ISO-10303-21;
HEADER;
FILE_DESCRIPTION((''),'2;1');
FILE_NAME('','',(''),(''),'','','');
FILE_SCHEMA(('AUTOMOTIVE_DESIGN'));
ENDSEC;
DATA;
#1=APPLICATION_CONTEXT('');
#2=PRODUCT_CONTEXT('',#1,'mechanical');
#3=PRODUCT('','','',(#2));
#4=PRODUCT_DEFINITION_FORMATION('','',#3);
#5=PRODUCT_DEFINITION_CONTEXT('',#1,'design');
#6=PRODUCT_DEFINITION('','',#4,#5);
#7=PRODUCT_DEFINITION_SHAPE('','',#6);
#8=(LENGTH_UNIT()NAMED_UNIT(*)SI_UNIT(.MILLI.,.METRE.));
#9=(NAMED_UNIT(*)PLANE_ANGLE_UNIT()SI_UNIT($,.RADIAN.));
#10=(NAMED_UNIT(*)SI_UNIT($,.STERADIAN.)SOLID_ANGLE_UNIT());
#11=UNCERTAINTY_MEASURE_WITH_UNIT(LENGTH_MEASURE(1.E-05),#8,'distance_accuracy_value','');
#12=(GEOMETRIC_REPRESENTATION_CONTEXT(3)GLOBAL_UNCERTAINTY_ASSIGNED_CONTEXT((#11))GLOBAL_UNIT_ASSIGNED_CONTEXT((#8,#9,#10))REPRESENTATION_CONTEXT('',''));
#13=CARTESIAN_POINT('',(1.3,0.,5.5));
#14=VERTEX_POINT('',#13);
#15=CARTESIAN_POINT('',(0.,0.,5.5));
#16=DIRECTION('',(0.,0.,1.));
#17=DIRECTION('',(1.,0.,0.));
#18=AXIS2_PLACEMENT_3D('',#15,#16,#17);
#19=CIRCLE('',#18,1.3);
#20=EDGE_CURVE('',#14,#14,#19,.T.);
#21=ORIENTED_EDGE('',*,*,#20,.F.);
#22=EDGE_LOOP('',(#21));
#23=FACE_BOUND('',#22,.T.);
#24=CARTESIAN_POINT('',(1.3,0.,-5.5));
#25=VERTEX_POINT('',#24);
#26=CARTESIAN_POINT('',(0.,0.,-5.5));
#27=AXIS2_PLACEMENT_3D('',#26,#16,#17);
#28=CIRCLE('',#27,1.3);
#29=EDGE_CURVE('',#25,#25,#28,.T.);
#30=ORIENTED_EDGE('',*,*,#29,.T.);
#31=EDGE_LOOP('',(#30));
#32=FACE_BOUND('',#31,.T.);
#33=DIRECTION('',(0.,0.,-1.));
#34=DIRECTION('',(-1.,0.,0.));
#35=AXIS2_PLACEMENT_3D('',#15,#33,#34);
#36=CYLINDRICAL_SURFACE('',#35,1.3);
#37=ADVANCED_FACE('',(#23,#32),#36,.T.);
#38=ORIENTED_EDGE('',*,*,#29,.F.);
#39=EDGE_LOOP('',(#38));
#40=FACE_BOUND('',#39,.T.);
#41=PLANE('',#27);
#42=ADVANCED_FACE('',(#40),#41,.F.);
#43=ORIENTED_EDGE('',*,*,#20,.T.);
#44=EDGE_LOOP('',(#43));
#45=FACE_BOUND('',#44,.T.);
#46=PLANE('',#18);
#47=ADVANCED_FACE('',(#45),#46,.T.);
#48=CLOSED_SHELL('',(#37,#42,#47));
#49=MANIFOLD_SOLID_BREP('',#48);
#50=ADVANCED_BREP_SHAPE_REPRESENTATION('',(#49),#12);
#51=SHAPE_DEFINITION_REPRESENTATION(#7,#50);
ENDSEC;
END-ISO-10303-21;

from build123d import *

# Parameters (mm, degrees)
SKETCH_1_R      = 1.3
EXTRUDE_1_DEPTH = 5.5


with BuildPart() as part:
    # Эскиз1 → Бобышка-Вытянуть1 (new body, symmetric)
    with BuildSketch(Plane.XY):
        Circle(SKETCH_1_R)
    extrude(amount=EXTRUDE_1_DEPTH, both=True)


solid = part.part
